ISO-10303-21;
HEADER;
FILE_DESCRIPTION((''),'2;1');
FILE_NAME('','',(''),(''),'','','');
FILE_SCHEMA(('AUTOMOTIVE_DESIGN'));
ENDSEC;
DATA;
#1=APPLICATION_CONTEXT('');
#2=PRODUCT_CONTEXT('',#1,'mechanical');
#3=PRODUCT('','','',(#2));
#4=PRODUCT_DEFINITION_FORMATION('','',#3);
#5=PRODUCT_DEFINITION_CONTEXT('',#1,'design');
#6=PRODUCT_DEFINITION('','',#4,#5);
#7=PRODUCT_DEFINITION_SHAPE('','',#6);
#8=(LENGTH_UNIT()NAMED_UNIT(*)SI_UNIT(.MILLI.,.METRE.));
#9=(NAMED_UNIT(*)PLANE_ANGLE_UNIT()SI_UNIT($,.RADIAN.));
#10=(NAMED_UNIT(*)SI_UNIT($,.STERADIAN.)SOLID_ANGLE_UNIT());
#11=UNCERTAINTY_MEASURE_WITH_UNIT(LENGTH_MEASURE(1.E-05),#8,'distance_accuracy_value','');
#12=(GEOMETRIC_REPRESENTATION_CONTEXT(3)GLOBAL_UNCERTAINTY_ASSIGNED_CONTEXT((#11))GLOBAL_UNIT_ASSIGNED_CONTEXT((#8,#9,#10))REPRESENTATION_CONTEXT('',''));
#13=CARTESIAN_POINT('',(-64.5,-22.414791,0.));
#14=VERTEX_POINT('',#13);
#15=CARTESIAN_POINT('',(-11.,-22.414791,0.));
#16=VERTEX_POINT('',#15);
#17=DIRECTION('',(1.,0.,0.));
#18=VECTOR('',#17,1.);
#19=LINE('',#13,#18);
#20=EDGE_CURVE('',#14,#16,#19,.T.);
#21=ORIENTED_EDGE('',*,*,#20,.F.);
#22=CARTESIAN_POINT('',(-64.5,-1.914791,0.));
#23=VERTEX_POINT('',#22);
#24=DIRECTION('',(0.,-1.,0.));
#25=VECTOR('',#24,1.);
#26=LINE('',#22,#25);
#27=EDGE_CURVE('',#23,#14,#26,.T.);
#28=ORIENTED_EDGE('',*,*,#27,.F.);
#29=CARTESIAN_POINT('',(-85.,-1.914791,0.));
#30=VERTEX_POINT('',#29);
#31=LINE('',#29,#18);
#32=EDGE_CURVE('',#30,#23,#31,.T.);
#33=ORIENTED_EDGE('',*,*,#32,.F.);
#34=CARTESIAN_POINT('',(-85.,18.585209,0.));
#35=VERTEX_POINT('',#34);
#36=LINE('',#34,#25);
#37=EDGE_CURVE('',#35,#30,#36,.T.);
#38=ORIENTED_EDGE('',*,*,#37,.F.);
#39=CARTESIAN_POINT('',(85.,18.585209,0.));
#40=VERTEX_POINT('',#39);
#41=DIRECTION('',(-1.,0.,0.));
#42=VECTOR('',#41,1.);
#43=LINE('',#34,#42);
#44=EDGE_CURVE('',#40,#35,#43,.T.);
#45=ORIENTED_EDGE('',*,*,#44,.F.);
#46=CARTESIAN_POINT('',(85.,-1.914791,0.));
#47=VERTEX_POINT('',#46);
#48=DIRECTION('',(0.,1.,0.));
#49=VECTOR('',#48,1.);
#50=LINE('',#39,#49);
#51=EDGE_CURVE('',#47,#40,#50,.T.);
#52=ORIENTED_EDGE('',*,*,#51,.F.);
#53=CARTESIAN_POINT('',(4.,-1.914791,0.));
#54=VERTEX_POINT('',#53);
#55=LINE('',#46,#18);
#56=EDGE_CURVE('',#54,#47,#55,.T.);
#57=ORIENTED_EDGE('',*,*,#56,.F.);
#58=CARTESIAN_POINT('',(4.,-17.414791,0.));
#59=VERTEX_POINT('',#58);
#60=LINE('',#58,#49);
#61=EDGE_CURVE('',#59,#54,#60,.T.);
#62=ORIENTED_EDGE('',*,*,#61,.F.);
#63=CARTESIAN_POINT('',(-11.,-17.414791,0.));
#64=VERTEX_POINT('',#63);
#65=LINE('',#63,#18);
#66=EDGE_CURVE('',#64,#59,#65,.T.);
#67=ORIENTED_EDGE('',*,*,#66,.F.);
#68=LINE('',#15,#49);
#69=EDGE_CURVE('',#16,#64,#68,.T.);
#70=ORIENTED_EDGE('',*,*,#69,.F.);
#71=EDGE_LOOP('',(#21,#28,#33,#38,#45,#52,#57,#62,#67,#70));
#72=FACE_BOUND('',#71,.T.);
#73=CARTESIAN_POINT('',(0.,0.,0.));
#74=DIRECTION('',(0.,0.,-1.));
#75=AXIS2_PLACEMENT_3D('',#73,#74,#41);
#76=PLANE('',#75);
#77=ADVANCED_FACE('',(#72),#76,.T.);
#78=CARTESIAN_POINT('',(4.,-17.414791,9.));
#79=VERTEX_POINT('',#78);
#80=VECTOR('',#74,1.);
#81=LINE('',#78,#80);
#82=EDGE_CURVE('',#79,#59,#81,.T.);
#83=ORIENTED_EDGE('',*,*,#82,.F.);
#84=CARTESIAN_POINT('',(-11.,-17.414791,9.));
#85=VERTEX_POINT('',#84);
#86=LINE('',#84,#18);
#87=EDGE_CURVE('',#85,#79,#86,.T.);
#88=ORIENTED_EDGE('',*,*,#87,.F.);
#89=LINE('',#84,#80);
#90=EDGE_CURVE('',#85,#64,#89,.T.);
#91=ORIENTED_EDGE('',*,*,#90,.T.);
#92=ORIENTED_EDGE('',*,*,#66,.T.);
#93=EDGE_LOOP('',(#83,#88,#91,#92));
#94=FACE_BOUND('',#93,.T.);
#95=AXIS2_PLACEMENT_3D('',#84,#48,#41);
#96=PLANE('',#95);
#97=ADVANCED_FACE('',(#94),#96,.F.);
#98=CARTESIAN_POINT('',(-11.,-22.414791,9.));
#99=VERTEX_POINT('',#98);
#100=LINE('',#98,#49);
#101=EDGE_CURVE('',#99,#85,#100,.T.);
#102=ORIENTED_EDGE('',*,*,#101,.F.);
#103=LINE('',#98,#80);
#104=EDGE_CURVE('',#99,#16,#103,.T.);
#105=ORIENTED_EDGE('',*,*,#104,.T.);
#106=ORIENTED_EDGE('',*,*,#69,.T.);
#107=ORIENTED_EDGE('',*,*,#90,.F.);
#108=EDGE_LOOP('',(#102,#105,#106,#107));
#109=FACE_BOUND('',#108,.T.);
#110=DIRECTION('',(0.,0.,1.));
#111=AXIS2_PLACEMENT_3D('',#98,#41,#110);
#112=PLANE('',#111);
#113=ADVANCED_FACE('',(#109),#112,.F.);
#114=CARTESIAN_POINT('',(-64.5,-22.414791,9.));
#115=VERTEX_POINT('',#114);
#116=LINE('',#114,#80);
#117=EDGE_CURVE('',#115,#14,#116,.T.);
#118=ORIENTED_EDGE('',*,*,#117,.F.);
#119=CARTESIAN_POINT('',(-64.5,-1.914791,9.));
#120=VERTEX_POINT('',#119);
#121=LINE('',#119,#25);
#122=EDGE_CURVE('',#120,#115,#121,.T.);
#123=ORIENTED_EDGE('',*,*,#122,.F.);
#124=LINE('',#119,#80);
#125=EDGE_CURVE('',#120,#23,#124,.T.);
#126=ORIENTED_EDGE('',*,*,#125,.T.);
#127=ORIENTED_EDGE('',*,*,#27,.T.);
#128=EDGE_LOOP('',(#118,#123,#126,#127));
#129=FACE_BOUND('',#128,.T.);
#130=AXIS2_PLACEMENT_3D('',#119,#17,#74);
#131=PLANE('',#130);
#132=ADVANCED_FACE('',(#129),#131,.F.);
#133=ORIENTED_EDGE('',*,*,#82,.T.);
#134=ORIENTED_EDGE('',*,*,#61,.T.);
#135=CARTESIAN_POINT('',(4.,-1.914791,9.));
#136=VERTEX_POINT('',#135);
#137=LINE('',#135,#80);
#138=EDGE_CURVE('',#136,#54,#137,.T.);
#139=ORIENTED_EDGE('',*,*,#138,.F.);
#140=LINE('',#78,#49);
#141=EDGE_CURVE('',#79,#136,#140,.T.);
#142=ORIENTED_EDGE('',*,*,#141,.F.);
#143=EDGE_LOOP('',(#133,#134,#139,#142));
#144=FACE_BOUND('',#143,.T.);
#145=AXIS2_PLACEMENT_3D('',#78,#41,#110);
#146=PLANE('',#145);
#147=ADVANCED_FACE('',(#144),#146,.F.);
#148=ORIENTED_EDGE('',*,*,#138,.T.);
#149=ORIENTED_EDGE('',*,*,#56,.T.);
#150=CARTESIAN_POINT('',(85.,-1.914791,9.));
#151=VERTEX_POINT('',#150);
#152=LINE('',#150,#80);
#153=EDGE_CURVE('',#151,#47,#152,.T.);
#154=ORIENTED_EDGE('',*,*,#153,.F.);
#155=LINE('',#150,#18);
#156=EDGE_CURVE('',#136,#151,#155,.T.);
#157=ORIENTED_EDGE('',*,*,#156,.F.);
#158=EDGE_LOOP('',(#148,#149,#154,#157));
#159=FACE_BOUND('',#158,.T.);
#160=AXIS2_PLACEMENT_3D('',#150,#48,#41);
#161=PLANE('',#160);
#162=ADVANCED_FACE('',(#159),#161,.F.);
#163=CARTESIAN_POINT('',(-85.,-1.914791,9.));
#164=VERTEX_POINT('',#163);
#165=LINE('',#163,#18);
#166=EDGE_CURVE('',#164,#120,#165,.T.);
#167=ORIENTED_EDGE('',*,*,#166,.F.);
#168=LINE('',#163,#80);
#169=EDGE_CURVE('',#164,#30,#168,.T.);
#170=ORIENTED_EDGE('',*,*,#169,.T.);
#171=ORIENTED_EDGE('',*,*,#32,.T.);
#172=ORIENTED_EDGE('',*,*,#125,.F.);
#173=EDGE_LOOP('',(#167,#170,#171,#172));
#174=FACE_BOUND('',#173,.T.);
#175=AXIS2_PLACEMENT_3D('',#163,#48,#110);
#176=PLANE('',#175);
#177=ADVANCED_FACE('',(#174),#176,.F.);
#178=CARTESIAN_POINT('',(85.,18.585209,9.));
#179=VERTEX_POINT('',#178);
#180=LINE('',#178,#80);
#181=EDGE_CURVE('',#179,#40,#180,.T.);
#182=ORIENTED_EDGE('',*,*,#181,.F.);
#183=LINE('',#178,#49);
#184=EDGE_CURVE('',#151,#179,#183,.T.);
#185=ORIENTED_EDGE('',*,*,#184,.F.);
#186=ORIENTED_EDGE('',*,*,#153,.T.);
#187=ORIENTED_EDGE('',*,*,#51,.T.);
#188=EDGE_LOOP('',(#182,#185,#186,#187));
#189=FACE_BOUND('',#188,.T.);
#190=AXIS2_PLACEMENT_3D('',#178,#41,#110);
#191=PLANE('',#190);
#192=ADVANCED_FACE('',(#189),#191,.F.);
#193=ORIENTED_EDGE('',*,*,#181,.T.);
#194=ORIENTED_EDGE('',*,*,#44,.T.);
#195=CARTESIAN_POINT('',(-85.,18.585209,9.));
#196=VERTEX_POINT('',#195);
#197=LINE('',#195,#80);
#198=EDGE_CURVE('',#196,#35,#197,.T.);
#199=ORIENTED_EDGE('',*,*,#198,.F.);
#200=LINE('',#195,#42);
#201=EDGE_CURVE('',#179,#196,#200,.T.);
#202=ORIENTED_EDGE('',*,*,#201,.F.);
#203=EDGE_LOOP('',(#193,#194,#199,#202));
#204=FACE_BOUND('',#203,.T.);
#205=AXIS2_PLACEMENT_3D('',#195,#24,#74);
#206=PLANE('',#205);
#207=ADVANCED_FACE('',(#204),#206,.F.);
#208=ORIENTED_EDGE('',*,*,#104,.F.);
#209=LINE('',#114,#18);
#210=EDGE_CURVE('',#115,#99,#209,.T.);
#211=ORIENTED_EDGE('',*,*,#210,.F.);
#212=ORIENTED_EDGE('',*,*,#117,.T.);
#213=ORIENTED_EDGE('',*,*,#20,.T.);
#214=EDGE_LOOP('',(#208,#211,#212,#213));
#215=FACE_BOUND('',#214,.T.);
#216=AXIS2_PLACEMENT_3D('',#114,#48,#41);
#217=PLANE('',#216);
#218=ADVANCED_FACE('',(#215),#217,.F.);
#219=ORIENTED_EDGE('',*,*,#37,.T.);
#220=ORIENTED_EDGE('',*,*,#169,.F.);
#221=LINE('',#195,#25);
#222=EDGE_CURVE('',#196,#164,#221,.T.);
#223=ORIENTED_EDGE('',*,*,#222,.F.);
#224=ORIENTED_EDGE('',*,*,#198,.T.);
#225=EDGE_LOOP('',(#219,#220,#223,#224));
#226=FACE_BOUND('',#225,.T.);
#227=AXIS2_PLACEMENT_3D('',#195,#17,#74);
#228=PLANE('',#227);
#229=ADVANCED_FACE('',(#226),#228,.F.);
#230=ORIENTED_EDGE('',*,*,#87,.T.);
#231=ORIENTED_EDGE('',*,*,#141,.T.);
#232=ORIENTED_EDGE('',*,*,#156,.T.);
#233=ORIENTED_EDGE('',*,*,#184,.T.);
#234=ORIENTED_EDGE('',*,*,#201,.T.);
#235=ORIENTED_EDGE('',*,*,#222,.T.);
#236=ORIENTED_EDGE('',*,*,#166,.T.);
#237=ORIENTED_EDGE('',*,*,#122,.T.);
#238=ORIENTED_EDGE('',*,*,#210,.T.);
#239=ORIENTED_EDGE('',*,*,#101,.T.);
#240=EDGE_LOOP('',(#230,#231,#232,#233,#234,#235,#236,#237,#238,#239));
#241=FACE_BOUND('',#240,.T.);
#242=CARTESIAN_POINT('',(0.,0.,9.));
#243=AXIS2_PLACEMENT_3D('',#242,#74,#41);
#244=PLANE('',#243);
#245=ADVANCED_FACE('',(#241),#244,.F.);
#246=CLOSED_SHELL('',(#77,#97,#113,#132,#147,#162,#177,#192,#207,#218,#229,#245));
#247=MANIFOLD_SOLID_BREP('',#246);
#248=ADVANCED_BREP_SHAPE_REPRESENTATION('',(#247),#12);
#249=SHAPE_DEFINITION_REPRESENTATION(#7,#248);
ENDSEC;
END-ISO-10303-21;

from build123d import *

# Parameters (mm, degrees)
BOSS_EXTRUDE1_DEPTH = 9


with BuildPart() as part:
    # Sketch1 → Boss-Extrude1 (new body)
    with BuildSketch(Plane.XY):
        Polygon((-85, 18.585209003), (85, 18.585209003), (85, -1.914790997), (4, -1.914790997), (4, -17.414790997), (-11, -17.414790997), (-11, -22.414790997), (-64.5, -22.414790997), (-64.5, -1.914790997), (-85, -1.914790997), align=None)
    extrude(amount=BOSS_EXTRUDE1_DEPTH)


solid = part.part
